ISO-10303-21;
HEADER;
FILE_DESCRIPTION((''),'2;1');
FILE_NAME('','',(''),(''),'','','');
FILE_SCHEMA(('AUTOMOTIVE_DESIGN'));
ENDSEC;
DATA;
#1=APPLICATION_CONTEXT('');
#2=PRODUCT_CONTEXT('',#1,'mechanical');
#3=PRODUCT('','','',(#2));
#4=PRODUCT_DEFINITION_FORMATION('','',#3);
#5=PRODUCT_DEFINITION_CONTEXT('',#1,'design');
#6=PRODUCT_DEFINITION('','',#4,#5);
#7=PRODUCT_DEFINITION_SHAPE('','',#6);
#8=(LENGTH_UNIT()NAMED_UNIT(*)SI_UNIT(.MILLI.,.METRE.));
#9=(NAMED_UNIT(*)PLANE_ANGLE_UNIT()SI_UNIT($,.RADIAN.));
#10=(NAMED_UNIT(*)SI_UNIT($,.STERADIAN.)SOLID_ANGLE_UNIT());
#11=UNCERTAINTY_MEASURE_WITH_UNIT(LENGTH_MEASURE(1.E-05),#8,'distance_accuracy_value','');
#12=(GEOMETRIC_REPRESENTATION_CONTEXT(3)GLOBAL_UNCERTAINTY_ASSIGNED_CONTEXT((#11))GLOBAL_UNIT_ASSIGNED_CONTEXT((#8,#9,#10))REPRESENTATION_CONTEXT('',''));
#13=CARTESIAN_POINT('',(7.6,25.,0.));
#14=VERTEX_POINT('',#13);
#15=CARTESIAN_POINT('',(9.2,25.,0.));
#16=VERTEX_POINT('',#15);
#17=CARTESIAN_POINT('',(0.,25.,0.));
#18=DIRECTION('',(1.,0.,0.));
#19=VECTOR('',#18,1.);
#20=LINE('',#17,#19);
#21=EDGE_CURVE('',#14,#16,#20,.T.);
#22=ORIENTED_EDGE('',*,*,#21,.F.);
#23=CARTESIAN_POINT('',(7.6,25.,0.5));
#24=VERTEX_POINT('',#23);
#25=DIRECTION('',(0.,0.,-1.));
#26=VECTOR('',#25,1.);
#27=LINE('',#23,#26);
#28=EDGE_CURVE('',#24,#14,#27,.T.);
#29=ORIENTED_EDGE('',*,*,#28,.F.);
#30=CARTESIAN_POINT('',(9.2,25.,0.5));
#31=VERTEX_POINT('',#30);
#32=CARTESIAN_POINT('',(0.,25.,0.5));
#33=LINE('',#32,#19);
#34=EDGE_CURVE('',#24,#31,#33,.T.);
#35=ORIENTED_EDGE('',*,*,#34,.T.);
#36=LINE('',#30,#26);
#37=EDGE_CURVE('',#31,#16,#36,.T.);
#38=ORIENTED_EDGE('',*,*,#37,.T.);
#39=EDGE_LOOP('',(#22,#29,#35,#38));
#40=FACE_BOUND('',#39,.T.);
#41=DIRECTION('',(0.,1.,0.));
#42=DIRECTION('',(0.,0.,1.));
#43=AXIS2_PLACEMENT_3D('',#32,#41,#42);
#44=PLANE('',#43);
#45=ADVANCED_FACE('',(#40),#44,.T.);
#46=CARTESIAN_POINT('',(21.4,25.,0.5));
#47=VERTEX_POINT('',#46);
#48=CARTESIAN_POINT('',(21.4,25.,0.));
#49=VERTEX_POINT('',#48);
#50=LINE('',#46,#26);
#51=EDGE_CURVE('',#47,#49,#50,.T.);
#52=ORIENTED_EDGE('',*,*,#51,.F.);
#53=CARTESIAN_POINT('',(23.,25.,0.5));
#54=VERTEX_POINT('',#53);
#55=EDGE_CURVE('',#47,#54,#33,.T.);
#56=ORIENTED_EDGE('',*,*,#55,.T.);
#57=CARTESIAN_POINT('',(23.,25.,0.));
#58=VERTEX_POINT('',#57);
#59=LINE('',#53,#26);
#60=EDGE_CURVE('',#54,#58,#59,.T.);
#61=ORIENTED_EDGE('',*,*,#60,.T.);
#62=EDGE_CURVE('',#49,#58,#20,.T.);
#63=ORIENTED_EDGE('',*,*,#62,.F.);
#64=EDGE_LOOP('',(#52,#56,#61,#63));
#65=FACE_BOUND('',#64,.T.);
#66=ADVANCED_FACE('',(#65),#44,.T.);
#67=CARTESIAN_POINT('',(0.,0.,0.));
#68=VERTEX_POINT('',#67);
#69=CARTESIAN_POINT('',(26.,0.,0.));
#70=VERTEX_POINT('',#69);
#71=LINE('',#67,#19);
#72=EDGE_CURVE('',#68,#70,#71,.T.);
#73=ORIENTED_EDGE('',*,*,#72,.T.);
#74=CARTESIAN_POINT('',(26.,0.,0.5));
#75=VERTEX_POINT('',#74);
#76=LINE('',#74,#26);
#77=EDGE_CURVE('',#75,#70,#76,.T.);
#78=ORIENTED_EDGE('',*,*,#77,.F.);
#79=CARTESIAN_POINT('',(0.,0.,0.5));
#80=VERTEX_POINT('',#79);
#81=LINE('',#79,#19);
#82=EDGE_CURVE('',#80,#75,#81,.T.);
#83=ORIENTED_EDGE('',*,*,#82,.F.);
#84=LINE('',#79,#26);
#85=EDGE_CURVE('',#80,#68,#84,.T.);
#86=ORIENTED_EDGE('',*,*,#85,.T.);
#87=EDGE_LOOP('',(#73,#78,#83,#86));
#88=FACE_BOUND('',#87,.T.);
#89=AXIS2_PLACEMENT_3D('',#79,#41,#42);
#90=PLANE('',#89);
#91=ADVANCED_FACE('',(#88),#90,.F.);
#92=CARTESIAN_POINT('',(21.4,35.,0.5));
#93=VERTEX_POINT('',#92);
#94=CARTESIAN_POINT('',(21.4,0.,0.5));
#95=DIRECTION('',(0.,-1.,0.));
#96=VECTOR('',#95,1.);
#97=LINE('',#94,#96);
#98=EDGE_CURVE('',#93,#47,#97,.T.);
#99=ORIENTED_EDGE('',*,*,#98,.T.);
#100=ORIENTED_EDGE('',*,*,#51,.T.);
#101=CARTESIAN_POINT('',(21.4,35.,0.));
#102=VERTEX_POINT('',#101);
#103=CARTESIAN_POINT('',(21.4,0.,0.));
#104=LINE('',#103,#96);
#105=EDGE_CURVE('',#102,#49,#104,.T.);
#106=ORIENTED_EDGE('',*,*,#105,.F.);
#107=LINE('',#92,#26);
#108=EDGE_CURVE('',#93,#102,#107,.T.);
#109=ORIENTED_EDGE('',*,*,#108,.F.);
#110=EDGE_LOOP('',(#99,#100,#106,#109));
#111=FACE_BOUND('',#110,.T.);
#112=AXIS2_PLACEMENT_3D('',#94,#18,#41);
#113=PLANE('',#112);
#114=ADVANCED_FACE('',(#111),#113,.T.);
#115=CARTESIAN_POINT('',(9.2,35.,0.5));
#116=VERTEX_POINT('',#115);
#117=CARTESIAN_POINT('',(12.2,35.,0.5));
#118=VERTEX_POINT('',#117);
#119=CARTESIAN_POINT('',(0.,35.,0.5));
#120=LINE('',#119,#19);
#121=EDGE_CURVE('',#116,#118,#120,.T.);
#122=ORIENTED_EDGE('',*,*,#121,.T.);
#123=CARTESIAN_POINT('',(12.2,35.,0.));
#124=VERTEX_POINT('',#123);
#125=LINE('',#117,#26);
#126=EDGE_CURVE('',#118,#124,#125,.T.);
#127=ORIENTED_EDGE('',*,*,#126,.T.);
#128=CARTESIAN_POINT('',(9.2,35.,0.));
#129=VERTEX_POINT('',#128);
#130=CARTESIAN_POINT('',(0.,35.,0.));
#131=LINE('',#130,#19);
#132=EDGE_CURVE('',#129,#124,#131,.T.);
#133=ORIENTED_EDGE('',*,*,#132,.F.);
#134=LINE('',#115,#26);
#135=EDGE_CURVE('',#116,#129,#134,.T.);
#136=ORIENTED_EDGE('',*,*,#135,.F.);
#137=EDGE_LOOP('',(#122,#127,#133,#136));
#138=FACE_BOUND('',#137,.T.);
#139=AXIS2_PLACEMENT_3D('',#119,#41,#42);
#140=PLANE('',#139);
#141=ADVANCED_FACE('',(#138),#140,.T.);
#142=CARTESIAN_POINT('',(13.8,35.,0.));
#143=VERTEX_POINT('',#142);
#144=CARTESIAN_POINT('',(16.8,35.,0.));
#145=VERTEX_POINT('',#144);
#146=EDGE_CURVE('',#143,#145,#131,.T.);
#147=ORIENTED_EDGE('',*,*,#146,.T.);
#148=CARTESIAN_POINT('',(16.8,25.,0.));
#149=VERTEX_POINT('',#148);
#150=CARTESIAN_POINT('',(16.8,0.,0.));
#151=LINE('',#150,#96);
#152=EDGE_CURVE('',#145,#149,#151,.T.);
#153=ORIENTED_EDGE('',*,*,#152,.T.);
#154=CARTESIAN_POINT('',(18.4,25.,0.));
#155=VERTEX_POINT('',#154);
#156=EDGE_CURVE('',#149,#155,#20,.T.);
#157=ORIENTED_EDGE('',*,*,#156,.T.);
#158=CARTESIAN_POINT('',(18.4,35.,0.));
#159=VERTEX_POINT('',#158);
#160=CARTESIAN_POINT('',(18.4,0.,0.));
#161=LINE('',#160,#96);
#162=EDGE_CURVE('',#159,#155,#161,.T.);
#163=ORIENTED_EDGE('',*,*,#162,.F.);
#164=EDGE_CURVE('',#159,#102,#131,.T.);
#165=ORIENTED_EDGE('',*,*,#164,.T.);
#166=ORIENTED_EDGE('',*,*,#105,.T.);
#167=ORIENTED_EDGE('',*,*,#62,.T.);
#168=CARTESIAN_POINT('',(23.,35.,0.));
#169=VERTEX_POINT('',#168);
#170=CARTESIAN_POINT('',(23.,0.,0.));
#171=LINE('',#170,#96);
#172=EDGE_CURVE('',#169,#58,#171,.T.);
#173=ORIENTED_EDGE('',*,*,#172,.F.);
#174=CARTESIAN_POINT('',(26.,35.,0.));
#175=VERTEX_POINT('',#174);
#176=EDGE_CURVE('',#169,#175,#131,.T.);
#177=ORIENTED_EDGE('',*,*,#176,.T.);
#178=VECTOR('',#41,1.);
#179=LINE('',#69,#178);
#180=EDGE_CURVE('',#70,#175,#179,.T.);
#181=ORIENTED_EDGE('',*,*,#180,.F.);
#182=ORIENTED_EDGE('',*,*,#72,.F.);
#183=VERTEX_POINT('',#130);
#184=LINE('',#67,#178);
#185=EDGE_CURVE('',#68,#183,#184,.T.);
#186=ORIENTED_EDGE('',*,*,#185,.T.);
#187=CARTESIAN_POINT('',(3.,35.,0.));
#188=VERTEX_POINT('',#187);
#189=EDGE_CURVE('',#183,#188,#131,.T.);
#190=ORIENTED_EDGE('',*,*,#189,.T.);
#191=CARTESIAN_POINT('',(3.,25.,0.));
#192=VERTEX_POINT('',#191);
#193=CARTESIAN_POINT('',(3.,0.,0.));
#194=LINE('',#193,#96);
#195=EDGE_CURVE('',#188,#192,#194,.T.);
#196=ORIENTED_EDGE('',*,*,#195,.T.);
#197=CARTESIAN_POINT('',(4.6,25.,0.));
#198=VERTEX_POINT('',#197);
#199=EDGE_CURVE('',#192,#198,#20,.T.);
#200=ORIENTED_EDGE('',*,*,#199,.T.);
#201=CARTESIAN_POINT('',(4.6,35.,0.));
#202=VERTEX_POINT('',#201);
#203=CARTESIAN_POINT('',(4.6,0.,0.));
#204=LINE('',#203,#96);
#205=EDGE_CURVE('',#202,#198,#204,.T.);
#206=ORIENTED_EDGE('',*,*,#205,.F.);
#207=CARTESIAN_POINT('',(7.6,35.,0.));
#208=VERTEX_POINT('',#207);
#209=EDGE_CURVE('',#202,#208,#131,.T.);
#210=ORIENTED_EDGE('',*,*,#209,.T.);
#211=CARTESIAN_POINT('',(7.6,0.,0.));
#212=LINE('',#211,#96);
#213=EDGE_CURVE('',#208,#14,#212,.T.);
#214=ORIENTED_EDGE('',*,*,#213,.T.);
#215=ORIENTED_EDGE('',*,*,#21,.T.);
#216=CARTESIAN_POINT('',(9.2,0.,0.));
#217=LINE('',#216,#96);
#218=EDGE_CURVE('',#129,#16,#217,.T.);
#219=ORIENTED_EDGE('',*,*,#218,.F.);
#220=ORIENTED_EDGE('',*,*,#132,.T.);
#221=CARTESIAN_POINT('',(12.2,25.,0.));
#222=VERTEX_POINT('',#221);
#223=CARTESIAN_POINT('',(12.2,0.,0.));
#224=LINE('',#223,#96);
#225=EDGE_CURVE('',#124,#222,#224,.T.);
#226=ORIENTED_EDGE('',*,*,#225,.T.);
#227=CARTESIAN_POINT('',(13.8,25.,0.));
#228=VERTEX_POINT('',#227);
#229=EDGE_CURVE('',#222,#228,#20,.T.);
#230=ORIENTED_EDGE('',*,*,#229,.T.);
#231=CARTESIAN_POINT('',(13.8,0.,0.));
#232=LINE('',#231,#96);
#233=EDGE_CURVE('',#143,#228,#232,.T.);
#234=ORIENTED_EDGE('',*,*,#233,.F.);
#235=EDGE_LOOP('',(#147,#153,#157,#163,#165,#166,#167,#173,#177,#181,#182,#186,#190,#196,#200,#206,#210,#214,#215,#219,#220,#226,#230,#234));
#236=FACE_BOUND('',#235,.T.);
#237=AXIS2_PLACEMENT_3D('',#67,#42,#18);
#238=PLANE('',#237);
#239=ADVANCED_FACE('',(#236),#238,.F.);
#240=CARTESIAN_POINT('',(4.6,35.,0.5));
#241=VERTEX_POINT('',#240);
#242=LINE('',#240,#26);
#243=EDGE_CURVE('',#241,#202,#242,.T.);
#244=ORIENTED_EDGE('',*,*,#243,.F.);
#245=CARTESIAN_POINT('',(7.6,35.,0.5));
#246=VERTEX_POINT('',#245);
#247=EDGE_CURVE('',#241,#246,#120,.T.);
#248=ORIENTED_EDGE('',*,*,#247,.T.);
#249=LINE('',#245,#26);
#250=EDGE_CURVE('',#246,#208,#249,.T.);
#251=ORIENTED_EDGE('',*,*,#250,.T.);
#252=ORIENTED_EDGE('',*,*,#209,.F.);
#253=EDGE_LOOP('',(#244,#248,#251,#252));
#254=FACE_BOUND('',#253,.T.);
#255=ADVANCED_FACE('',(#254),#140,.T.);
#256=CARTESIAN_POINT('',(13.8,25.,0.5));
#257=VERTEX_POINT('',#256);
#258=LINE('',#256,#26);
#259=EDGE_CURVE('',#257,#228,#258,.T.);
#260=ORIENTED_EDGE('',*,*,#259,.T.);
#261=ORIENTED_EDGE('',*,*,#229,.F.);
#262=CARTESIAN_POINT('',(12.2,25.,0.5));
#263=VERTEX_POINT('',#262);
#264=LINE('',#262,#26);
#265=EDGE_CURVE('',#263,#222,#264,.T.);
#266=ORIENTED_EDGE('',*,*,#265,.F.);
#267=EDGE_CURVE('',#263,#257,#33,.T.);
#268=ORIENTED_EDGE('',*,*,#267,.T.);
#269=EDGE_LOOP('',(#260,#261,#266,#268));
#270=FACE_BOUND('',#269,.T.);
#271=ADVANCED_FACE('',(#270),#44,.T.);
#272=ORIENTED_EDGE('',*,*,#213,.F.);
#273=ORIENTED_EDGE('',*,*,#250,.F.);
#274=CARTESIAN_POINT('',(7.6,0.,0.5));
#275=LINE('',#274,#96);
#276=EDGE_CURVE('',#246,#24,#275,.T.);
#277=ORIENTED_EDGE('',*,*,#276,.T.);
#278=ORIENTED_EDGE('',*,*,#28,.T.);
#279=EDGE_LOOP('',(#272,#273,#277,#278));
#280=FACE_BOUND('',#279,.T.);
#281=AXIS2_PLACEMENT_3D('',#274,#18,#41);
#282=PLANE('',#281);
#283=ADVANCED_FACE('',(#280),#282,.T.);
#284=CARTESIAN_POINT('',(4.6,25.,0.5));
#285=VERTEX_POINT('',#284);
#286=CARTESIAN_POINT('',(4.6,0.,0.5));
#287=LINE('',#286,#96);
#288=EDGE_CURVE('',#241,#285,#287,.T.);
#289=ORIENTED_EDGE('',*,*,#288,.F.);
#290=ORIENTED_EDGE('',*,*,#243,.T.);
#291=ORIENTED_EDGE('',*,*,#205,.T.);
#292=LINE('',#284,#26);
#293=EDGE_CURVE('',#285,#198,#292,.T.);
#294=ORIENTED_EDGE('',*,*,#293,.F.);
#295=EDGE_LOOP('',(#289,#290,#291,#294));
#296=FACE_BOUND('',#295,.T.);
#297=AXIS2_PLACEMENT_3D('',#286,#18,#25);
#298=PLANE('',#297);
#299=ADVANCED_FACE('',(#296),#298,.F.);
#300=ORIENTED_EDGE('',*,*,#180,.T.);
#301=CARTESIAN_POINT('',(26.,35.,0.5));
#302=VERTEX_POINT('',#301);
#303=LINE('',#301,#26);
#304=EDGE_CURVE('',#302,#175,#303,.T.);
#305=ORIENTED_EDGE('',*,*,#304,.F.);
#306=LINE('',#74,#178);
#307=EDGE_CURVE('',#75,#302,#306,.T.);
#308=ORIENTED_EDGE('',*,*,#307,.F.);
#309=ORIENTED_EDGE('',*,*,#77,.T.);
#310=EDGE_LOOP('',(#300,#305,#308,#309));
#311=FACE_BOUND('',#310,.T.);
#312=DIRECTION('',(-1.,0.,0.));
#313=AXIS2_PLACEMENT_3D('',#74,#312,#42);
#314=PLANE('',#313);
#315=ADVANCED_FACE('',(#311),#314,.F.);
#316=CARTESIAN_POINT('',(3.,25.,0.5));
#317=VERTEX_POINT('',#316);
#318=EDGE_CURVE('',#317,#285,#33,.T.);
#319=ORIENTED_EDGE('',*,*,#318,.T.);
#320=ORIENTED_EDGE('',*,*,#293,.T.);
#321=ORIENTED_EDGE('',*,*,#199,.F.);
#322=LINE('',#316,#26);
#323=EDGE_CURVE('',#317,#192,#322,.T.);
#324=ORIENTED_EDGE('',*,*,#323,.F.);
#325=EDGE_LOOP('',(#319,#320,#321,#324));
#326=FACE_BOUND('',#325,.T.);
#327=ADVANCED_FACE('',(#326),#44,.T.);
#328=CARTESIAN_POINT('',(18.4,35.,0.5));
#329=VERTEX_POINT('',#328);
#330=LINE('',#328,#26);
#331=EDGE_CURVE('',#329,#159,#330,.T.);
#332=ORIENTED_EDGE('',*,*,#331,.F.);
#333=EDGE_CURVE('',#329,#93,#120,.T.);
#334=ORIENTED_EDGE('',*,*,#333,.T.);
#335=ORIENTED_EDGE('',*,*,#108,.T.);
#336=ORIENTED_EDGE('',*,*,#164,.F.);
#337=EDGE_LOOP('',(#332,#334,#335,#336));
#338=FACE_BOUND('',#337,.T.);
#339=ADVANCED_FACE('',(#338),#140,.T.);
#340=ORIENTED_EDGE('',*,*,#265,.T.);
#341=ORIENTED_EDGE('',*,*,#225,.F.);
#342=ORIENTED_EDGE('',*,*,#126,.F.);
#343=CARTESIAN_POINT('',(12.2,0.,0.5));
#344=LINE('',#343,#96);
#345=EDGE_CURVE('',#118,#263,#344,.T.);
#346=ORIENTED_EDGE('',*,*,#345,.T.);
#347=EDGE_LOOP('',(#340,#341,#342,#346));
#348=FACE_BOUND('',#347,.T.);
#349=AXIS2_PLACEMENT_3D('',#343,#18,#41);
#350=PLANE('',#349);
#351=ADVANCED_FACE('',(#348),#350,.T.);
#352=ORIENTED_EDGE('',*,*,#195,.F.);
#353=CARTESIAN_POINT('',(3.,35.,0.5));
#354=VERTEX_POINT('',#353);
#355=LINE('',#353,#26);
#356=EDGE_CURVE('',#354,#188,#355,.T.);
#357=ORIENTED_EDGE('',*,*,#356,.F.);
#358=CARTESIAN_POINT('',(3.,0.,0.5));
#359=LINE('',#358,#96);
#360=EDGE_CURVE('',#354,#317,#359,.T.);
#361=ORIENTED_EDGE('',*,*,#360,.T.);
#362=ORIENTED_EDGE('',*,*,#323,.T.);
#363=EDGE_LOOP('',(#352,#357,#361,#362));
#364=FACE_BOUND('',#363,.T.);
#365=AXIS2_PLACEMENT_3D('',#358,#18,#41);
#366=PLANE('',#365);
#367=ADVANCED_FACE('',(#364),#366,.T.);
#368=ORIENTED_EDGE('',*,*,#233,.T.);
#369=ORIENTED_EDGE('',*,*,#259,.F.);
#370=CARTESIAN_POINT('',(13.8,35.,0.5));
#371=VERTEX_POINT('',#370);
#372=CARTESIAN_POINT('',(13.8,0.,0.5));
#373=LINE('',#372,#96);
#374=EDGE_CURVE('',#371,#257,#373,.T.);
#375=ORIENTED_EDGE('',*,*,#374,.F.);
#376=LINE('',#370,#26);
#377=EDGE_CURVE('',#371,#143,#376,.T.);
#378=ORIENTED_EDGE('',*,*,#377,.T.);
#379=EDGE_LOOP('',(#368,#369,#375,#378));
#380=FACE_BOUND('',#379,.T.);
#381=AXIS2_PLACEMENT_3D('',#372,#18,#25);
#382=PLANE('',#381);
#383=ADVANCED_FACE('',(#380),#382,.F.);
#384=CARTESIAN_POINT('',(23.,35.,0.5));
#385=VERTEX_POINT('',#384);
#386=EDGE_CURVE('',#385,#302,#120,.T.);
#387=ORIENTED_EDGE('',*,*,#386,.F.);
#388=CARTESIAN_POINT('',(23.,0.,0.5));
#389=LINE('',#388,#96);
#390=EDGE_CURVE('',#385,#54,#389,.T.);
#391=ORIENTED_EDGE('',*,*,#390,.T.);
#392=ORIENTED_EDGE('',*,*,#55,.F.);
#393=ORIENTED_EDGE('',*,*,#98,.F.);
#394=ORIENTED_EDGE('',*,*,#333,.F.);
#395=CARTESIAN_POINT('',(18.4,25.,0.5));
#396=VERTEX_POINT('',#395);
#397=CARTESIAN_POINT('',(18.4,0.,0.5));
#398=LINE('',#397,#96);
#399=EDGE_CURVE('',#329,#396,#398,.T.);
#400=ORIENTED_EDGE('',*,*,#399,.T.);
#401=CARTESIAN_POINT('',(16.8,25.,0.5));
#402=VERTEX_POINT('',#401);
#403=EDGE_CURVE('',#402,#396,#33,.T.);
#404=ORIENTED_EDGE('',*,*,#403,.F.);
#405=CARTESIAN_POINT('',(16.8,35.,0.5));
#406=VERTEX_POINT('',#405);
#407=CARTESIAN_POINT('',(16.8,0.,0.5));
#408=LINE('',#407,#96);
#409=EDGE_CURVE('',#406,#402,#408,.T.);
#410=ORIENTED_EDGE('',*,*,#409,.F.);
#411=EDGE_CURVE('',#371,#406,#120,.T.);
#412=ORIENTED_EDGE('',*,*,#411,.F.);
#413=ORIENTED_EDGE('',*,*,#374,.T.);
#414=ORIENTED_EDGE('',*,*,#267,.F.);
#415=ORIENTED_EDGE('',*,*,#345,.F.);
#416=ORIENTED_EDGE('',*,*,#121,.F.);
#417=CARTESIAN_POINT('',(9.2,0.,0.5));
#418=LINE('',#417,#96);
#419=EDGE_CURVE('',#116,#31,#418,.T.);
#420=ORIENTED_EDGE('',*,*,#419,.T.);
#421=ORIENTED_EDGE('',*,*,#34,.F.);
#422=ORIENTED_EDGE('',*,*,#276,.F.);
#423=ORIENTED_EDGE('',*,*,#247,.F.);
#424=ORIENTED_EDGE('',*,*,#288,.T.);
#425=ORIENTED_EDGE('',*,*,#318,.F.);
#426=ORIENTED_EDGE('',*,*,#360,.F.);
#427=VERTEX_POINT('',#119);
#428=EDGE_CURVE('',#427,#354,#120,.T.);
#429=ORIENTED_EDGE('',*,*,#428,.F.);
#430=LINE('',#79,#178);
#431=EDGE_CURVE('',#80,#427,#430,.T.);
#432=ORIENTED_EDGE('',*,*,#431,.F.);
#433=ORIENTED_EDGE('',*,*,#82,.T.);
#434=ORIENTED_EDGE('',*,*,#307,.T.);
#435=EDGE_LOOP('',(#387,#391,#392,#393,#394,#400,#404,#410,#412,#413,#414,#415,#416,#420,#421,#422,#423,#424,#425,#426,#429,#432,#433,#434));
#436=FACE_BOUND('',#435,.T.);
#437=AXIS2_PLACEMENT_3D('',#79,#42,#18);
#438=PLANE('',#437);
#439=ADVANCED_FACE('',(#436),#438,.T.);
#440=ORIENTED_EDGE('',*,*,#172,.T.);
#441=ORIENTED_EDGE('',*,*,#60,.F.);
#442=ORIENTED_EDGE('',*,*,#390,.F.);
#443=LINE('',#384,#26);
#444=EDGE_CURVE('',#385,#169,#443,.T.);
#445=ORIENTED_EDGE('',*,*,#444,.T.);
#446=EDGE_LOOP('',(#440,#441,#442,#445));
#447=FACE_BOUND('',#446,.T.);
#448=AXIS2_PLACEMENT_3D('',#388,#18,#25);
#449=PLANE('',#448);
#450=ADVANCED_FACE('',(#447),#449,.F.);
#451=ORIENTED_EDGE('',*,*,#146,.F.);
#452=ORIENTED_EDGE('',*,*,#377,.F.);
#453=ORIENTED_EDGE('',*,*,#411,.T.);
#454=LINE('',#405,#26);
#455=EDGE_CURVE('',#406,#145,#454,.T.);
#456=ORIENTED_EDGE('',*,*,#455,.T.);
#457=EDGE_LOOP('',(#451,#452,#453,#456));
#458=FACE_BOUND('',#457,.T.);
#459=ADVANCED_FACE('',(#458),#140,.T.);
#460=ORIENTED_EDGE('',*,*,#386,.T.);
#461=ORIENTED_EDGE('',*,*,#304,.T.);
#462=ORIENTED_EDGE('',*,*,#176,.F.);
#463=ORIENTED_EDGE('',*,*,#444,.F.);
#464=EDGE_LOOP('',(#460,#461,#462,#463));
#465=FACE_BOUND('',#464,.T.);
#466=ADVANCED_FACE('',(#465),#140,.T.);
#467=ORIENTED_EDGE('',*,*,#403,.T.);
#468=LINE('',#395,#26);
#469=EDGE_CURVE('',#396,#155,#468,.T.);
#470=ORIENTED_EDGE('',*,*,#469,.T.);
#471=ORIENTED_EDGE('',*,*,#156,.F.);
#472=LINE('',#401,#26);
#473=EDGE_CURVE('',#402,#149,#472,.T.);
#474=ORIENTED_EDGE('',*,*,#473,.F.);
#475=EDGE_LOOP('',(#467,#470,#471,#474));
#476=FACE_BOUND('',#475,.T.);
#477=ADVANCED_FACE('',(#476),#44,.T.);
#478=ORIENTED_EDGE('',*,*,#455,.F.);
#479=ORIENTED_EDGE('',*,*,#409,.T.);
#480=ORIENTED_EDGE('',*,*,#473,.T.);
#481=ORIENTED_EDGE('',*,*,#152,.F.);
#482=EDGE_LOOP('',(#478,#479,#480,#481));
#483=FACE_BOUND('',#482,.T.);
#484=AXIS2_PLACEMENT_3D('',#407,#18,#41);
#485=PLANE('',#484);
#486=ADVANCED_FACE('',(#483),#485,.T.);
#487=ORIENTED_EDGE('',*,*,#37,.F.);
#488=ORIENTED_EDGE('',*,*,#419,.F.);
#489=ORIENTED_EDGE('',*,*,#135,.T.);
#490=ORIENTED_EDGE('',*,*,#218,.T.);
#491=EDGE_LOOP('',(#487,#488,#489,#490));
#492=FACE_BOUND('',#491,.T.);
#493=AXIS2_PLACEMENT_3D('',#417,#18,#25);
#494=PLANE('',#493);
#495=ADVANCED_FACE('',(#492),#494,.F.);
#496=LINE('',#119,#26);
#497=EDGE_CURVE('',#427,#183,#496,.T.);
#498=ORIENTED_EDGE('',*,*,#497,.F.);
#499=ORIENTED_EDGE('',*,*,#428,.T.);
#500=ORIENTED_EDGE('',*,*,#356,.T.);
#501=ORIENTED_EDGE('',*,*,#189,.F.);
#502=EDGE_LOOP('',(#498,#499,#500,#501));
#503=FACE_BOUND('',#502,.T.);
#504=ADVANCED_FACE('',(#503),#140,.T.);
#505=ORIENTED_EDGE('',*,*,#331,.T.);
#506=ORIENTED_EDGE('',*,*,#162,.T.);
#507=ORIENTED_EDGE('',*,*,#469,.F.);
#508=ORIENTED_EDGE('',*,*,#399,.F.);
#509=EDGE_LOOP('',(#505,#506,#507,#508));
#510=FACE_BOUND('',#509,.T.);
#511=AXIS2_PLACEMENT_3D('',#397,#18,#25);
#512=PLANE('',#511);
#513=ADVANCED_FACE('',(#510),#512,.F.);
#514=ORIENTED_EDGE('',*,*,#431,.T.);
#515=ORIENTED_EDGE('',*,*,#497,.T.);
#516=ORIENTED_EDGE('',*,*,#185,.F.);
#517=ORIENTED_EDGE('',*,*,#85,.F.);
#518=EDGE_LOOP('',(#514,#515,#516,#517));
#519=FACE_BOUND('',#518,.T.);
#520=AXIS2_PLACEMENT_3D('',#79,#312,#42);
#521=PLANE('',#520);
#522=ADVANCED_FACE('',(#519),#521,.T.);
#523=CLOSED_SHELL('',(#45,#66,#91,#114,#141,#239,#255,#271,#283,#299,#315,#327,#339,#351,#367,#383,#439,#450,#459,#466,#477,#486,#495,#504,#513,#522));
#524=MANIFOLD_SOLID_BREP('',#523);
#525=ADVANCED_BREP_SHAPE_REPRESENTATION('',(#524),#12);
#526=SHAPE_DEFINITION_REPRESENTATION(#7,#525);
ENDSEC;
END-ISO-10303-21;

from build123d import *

# Parameters (mm, degrees)
BOSS_EXTRUDE1_DEPTH = 0.5


with BuildPart() as part:
    # Sketch1 → Boss-Extrude1 (new body)
    with BuildSketch(Plane.XY):
        Polygon((0, 35), (0, 0), (26, 0), (26, 35), (23, 35), (23, 25), (21.4, 25), (21.4, 35), (18.4, 35), (18.4, 25), (16.8, 25), (16.8, 35), (13.8, 35), (13.8, 25), (12.2, 25), (12.2, 35), (9.2, 35), (9.2, 25), (7.6, 25), (7.6, 35), (4.6, 35), (4.6, 25), (3, 25), (3, 35), align=None)
    extrude(amount=BOSS_EXTRUDE1_DEPTH)


solid = part.part
